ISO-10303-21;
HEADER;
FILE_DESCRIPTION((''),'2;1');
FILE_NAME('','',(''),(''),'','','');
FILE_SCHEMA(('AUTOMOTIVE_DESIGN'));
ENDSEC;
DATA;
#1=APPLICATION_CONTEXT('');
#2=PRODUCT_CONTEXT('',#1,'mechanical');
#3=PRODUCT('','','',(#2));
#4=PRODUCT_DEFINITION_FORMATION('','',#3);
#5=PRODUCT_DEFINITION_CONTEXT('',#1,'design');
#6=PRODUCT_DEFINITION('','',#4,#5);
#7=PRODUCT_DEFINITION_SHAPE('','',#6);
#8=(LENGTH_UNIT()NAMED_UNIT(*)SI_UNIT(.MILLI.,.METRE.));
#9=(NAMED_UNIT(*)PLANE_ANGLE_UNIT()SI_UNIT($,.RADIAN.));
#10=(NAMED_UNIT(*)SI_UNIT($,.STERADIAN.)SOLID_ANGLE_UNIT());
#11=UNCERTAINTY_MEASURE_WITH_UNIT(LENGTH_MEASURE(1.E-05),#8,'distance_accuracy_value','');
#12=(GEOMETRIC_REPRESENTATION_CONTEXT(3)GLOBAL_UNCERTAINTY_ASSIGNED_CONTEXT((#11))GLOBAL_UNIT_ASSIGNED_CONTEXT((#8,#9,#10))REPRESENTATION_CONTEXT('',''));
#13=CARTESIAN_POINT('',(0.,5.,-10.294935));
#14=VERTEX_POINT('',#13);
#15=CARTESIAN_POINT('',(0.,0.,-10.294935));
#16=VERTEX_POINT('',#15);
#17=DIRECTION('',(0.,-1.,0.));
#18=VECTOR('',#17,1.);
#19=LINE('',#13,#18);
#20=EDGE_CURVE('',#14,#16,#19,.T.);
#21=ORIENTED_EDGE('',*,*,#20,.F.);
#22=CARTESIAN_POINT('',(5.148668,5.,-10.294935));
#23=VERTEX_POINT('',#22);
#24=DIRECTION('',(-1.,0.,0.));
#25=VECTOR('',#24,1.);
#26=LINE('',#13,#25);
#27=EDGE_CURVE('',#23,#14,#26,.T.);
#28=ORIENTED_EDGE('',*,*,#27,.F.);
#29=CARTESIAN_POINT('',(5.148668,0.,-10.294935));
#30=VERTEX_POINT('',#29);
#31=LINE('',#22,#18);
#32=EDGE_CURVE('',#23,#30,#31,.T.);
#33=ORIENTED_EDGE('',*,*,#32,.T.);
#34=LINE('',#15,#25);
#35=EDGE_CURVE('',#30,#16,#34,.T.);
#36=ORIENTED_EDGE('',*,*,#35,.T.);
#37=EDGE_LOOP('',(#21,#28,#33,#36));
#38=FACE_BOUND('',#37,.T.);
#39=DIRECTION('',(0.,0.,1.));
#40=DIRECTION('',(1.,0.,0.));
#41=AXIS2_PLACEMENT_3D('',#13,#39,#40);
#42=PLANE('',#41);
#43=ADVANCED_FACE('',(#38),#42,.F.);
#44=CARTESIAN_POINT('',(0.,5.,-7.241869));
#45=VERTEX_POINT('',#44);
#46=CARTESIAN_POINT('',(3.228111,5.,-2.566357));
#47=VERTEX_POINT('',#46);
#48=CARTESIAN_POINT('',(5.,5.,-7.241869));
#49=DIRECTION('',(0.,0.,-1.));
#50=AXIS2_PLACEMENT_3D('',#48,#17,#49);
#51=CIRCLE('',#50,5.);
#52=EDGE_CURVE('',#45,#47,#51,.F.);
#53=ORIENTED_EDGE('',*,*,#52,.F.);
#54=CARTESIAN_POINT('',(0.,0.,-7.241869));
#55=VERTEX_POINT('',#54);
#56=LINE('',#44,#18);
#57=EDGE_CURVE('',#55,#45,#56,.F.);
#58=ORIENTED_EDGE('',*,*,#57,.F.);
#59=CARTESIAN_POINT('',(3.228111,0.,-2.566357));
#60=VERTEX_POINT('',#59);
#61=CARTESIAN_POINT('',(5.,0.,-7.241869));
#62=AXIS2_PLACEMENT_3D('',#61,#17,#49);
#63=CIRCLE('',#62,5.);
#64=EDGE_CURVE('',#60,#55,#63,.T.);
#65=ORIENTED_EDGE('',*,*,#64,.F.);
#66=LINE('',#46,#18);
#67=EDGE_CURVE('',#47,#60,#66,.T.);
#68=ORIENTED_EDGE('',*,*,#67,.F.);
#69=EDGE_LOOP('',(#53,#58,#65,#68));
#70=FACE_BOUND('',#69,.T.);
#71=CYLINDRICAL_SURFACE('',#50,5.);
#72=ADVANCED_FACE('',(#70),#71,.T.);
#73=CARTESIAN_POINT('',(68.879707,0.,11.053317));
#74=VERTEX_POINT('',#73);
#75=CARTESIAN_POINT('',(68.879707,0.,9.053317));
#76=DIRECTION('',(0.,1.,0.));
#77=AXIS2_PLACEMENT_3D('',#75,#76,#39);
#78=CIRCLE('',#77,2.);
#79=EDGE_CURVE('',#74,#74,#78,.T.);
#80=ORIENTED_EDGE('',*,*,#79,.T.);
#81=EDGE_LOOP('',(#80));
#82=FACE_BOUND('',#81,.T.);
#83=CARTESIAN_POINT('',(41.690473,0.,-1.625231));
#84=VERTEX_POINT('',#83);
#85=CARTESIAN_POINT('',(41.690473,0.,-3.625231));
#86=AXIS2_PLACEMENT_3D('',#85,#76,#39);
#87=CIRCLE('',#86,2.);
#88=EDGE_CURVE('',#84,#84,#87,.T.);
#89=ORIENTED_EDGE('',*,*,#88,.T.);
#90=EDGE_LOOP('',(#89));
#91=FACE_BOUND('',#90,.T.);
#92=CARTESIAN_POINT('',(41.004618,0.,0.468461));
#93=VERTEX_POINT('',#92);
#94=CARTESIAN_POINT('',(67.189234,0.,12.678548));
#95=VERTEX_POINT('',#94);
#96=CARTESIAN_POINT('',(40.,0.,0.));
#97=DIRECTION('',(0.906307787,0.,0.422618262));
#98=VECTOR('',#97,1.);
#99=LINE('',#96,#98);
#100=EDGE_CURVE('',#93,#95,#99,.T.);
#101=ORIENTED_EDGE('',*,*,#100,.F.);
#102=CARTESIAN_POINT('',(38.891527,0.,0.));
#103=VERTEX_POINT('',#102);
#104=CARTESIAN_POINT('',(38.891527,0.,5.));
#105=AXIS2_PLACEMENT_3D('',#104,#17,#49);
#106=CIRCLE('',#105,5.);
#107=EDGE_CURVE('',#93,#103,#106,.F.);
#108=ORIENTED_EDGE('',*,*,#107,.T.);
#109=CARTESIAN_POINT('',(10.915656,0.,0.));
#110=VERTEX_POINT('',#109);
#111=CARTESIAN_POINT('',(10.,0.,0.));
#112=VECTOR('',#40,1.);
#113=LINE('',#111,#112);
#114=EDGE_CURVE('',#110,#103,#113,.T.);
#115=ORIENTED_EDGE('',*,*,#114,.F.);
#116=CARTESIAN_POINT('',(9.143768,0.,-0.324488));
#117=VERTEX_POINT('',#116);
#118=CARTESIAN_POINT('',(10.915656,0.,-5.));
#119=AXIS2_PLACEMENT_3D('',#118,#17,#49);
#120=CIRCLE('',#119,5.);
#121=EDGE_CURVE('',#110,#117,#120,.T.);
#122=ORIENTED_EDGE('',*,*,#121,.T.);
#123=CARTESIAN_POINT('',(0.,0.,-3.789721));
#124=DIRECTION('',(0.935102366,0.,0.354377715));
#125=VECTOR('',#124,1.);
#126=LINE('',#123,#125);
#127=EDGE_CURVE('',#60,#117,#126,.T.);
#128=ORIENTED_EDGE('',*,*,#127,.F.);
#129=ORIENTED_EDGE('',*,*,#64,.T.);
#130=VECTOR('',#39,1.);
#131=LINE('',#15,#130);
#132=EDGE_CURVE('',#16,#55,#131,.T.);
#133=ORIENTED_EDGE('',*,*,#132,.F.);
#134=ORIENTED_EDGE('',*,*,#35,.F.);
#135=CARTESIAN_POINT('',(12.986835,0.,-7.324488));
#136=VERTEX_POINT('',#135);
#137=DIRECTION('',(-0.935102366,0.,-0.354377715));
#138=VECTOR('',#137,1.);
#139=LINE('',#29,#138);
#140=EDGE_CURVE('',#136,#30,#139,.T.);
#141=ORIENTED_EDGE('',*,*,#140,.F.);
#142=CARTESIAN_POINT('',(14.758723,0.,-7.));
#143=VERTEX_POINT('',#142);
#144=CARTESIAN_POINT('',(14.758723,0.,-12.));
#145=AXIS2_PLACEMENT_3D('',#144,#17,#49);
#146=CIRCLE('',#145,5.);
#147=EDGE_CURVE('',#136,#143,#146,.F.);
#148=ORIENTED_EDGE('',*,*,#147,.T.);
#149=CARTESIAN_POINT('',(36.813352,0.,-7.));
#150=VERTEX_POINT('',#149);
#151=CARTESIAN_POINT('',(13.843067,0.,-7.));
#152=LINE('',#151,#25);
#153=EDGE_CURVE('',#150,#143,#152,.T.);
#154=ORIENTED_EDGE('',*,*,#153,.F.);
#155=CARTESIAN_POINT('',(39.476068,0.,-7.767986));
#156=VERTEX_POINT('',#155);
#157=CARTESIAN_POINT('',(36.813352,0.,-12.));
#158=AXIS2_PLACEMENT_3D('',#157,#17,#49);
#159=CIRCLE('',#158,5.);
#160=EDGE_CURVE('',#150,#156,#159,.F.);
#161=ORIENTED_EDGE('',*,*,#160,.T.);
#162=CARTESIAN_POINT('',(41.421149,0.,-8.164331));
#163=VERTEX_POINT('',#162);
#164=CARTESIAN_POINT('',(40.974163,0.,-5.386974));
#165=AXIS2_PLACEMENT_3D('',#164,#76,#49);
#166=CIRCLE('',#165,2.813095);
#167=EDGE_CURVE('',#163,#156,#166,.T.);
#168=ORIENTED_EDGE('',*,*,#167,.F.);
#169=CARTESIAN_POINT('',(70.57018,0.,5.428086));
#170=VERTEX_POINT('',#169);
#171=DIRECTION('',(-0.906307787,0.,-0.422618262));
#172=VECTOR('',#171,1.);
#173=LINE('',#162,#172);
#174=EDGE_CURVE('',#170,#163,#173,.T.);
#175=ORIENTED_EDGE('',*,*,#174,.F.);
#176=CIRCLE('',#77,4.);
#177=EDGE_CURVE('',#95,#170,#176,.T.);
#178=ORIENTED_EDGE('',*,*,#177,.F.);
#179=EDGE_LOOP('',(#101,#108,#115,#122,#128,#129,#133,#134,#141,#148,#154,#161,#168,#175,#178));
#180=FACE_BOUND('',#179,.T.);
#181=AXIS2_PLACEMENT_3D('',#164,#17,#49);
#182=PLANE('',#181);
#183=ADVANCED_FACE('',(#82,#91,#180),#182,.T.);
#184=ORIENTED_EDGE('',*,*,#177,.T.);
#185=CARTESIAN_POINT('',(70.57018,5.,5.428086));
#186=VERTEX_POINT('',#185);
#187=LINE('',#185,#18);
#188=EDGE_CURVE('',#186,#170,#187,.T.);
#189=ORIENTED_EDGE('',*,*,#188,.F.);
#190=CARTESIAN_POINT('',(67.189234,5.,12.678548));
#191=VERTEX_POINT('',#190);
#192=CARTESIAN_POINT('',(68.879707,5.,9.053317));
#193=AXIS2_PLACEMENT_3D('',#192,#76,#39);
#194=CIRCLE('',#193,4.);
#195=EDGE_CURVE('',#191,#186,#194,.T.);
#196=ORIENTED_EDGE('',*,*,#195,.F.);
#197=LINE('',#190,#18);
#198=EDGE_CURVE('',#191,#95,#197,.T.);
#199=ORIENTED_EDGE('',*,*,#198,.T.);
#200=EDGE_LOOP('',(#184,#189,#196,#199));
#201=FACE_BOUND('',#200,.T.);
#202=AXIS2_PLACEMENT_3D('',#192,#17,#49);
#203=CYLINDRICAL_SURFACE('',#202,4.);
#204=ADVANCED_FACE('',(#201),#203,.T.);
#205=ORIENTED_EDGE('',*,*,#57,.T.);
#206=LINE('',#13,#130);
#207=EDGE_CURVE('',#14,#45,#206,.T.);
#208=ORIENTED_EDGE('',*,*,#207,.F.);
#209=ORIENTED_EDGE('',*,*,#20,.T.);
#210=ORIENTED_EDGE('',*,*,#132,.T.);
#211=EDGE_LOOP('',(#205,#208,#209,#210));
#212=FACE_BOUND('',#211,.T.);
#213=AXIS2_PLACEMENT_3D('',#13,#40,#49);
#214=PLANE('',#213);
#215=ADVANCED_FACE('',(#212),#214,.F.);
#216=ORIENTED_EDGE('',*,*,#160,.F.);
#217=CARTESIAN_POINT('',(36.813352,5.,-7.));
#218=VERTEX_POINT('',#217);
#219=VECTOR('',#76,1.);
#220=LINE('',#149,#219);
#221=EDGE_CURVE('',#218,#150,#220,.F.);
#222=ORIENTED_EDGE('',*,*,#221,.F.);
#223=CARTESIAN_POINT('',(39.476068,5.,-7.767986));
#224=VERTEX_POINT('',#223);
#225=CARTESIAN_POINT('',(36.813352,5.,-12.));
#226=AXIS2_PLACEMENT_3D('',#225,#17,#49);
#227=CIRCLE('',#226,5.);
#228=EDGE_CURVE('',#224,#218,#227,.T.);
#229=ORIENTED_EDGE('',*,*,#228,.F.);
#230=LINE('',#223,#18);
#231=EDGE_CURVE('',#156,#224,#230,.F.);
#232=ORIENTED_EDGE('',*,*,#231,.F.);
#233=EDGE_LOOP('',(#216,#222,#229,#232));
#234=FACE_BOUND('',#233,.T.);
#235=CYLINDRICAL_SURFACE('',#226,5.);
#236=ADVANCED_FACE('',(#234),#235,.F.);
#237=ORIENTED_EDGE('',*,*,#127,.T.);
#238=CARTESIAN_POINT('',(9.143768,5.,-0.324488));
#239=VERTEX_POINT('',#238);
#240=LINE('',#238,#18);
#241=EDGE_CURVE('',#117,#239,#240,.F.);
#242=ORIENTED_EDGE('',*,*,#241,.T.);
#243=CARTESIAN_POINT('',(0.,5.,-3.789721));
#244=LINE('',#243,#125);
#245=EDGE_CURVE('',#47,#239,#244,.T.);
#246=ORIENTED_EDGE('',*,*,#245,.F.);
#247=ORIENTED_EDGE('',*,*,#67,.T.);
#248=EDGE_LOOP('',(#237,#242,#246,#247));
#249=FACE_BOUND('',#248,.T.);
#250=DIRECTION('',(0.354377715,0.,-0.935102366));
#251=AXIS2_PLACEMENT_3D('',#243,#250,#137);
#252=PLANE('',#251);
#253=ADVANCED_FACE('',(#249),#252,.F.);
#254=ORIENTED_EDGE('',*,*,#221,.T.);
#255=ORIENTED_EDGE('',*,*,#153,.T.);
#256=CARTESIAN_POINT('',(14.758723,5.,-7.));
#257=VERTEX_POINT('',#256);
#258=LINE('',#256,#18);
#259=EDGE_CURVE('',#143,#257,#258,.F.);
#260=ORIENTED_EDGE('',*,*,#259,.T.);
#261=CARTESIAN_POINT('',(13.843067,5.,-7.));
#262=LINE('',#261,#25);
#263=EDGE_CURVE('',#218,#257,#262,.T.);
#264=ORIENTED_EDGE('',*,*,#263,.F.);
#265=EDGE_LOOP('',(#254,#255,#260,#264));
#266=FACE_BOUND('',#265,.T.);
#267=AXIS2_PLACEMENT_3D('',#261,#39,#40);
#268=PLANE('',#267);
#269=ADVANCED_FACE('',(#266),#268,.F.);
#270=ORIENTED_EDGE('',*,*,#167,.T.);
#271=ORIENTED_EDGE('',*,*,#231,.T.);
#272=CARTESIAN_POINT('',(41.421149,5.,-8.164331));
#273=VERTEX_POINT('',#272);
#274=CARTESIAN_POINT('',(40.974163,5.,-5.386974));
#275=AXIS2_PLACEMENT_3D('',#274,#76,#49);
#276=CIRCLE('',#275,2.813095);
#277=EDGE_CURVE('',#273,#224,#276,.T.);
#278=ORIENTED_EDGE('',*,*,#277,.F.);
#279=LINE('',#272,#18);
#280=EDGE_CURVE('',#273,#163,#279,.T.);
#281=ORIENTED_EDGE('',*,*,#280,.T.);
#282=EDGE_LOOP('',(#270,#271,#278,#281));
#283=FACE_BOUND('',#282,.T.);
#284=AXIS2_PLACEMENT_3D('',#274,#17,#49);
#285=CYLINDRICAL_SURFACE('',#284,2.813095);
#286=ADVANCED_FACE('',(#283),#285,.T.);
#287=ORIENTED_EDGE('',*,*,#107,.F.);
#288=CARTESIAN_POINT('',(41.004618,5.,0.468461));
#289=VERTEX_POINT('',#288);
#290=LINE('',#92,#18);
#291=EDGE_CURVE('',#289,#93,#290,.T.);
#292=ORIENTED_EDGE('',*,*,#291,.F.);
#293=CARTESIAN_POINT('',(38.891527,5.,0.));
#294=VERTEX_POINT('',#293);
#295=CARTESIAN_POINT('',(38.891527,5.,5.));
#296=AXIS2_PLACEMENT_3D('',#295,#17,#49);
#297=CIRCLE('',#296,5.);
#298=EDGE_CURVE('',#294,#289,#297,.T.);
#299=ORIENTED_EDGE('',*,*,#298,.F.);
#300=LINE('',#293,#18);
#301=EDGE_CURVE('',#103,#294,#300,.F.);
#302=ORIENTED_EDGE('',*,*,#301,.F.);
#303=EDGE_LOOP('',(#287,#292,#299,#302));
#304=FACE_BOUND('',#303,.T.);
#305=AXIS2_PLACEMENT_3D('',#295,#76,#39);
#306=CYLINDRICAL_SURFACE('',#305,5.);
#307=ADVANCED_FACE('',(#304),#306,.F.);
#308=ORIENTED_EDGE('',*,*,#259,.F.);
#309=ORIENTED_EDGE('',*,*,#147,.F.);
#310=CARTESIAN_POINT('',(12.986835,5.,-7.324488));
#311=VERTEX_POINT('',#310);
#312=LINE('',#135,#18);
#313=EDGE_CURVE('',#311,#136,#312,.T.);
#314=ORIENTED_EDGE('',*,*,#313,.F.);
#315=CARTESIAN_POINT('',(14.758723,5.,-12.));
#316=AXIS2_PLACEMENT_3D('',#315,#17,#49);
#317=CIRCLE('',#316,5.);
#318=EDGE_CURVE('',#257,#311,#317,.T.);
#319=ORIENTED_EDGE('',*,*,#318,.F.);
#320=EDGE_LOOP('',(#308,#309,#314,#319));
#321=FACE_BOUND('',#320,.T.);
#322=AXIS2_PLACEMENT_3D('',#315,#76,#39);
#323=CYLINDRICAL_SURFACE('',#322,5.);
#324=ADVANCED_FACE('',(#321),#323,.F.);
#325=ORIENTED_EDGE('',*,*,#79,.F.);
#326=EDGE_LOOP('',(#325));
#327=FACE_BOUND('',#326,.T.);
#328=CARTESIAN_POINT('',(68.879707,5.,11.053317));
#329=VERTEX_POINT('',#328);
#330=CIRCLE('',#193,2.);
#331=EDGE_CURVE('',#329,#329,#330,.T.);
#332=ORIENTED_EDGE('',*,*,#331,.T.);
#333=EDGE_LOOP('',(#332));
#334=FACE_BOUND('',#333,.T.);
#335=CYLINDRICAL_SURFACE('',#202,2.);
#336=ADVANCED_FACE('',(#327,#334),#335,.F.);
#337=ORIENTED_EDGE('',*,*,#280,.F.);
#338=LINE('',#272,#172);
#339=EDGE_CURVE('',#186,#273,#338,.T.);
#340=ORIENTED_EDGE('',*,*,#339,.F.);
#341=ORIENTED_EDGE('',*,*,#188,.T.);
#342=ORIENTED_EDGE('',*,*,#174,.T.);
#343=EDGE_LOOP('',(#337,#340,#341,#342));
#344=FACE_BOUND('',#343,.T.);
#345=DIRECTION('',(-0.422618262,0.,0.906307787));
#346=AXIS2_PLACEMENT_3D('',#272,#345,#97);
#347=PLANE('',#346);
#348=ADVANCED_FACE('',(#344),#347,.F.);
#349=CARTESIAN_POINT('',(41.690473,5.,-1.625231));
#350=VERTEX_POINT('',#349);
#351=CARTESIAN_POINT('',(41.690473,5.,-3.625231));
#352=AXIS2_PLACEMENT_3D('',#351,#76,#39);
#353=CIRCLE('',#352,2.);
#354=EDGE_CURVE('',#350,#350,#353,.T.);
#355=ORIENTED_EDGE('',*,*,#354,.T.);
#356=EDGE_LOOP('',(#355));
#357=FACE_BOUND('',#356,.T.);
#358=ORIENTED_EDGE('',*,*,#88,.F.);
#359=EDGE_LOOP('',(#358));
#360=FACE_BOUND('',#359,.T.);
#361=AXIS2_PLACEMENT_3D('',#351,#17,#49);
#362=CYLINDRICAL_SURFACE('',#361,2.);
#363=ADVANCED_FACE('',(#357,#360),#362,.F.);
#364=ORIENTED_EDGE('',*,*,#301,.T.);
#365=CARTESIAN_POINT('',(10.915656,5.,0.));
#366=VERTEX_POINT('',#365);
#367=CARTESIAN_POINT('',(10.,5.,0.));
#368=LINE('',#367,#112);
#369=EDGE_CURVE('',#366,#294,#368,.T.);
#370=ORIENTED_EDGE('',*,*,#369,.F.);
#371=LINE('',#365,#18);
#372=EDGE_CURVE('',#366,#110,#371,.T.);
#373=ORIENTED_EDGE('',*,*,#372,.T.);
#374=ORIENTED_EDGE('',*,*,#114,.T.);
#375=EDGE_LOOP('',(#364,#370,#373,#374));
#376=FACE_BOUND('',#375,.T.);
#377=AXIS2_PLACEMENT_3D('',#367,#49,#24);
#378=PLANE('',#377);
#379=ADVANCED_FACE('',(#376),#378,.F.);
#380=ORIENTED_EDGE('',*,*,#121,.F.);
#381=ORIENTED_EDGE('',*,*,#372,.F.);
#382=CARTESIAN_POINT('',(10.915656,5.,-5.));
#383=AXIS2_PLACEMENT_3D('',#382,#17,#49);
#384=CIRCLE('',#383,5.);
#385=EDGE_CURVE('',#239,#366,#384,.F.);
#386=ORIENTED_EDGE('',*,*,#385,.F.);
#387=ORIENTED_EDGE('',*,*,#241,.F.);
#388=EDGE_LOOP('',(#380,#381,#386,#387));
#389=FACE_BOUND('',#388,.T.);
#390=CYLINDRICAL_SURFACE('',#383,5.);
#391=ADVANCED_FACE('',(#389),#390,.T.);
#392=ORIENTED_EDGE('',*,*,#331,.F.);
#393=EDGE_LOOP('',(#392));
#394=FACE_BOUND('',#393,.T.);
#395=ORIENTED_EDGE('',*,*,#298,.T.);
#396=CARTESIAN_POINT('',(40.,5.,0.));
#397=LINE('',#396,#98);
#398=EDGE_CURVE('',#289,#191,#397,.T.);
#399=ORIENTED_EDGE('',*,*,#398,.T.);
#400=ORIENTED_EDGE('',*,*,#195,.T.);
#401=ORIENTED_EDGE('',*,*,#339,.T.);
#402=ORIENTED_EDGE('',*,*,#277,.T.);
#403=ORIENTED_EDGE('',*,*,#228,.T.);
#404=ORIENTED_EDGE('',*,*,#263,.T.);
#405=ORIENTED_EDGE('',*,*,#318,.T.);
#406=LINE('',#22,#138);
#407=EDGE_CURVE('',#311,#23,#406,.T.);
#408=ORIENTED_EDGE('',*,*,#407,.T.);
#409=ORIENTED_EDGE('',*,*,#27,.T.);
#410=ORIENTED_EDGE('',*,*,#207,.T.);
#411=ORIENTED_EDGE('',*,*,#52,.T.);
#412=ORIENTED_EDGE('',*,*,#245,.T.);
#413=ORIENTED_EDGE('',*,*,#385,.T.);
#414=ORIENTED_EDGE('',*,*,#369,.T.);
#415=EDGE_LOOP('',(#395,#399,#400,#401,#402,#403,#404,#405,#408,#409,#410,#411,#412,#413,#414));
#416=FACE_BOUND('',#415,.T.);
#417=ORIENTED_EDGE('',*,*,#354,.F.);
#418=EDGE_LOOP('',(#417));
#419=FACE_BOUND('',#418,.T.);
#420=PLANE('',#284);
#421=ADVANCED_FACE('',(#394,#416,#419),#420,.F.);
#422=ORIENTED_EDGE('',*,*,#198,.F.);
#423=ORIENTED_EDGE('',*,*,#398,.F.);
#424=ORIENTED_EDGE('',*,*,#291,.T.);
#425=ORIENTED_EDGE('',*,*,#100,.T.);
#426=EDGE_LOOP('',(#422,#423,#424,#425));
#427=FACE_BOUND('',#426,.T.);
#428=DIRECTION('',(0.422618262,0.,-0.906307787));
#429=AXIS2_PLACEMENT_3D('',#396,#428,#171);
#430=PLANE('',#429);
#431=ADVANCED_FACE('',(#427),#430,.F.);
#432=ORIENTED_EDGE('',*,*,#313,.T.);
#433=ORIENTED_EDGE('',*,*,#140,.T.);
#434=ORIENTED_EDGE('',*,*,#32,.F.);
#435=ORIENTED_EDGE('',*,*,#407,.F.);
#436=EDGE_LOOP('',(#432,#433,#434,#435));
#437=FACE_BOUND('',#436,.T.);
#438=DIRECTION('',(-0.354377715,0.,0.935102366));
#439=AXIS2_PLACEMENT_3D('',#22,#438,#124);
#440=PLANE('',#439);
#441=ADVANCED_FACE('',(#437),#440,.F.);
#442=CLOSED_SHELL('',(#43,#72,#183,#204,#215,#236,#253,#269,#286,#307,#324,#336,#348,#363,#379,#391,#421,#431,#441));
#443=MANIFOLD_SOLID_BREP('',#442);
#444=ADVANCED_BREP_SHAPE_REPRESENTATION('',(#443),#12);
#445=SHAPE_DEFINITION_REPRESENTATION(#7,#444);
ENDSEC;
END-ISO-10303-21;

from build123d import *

# Parameters (mm, degrees)
ESQUISSE1_R        = 2
BOSS_EXTRU_1_DEPTH = 5
CONG_1_R           = 5


with BuildPart() as part:
    # Esquisse1 → Boss.-Extru.1 (new body)
    with BuildSketch(Plane(origin=(0, 0, 0), x_dir=(1, 0, 0), z_dir=(0, 1, 0))):
        with BuildLine():
            Line((0, 10.29493472), (0, 3.789721085))
            Line((0, 3.789721085), (10, 0))
            Line((10, 0), (40, 0))
            Line((40, 0), (67.189233611, -12.678547852))
            ThreePointArc((67.189233611, -12.678547852), (72.504937806, -10.743789751), (70.570179705, -5.428085556))
            Line((70.570179705, -5.428085556), (41.421148718, 8.164330821))
            ThreePointArc((41.421148718, 8.164330821), (39.877944642, 7.977690672), (38.669460337, 7))
            Line((38.669460337, 7), (13.843067102, 7))
            Line((13.843067102, 7), (5.148668105, 10.29493472))
            Line((5.148668105, 10.29493472), (0, 10.29493472))
        make_face()
        with Locations(Location((68.879706658, -9.053316704, 0), (0, 0, 270))):
            Circle(ESQUISSE1_R, mode=Mode.SUBTRACT)
        with Locations(Location((41.690473047, 3.625231148, 0), (0, 0, 270))):
            Circle(ESQUISSE1_R, mode=Mode.SUBTRACT)
    extrude(amount=BOSS_EXTRU_1_DEPTH)

    # Congé1
    cong_1_edges = [part.edges().sort_by_distance(p)[0] for p in [
        (13.843067102, 2.5, -7),
        (38.669460337, 2.5, -7),
        (40, 2.5, 0),
        (10, 2.5, 0),
        (0, 2.5, -3.789721085),
    ]]
    fillet(cong_1_edges, radius=CONG_1_R)


solid = part.part
